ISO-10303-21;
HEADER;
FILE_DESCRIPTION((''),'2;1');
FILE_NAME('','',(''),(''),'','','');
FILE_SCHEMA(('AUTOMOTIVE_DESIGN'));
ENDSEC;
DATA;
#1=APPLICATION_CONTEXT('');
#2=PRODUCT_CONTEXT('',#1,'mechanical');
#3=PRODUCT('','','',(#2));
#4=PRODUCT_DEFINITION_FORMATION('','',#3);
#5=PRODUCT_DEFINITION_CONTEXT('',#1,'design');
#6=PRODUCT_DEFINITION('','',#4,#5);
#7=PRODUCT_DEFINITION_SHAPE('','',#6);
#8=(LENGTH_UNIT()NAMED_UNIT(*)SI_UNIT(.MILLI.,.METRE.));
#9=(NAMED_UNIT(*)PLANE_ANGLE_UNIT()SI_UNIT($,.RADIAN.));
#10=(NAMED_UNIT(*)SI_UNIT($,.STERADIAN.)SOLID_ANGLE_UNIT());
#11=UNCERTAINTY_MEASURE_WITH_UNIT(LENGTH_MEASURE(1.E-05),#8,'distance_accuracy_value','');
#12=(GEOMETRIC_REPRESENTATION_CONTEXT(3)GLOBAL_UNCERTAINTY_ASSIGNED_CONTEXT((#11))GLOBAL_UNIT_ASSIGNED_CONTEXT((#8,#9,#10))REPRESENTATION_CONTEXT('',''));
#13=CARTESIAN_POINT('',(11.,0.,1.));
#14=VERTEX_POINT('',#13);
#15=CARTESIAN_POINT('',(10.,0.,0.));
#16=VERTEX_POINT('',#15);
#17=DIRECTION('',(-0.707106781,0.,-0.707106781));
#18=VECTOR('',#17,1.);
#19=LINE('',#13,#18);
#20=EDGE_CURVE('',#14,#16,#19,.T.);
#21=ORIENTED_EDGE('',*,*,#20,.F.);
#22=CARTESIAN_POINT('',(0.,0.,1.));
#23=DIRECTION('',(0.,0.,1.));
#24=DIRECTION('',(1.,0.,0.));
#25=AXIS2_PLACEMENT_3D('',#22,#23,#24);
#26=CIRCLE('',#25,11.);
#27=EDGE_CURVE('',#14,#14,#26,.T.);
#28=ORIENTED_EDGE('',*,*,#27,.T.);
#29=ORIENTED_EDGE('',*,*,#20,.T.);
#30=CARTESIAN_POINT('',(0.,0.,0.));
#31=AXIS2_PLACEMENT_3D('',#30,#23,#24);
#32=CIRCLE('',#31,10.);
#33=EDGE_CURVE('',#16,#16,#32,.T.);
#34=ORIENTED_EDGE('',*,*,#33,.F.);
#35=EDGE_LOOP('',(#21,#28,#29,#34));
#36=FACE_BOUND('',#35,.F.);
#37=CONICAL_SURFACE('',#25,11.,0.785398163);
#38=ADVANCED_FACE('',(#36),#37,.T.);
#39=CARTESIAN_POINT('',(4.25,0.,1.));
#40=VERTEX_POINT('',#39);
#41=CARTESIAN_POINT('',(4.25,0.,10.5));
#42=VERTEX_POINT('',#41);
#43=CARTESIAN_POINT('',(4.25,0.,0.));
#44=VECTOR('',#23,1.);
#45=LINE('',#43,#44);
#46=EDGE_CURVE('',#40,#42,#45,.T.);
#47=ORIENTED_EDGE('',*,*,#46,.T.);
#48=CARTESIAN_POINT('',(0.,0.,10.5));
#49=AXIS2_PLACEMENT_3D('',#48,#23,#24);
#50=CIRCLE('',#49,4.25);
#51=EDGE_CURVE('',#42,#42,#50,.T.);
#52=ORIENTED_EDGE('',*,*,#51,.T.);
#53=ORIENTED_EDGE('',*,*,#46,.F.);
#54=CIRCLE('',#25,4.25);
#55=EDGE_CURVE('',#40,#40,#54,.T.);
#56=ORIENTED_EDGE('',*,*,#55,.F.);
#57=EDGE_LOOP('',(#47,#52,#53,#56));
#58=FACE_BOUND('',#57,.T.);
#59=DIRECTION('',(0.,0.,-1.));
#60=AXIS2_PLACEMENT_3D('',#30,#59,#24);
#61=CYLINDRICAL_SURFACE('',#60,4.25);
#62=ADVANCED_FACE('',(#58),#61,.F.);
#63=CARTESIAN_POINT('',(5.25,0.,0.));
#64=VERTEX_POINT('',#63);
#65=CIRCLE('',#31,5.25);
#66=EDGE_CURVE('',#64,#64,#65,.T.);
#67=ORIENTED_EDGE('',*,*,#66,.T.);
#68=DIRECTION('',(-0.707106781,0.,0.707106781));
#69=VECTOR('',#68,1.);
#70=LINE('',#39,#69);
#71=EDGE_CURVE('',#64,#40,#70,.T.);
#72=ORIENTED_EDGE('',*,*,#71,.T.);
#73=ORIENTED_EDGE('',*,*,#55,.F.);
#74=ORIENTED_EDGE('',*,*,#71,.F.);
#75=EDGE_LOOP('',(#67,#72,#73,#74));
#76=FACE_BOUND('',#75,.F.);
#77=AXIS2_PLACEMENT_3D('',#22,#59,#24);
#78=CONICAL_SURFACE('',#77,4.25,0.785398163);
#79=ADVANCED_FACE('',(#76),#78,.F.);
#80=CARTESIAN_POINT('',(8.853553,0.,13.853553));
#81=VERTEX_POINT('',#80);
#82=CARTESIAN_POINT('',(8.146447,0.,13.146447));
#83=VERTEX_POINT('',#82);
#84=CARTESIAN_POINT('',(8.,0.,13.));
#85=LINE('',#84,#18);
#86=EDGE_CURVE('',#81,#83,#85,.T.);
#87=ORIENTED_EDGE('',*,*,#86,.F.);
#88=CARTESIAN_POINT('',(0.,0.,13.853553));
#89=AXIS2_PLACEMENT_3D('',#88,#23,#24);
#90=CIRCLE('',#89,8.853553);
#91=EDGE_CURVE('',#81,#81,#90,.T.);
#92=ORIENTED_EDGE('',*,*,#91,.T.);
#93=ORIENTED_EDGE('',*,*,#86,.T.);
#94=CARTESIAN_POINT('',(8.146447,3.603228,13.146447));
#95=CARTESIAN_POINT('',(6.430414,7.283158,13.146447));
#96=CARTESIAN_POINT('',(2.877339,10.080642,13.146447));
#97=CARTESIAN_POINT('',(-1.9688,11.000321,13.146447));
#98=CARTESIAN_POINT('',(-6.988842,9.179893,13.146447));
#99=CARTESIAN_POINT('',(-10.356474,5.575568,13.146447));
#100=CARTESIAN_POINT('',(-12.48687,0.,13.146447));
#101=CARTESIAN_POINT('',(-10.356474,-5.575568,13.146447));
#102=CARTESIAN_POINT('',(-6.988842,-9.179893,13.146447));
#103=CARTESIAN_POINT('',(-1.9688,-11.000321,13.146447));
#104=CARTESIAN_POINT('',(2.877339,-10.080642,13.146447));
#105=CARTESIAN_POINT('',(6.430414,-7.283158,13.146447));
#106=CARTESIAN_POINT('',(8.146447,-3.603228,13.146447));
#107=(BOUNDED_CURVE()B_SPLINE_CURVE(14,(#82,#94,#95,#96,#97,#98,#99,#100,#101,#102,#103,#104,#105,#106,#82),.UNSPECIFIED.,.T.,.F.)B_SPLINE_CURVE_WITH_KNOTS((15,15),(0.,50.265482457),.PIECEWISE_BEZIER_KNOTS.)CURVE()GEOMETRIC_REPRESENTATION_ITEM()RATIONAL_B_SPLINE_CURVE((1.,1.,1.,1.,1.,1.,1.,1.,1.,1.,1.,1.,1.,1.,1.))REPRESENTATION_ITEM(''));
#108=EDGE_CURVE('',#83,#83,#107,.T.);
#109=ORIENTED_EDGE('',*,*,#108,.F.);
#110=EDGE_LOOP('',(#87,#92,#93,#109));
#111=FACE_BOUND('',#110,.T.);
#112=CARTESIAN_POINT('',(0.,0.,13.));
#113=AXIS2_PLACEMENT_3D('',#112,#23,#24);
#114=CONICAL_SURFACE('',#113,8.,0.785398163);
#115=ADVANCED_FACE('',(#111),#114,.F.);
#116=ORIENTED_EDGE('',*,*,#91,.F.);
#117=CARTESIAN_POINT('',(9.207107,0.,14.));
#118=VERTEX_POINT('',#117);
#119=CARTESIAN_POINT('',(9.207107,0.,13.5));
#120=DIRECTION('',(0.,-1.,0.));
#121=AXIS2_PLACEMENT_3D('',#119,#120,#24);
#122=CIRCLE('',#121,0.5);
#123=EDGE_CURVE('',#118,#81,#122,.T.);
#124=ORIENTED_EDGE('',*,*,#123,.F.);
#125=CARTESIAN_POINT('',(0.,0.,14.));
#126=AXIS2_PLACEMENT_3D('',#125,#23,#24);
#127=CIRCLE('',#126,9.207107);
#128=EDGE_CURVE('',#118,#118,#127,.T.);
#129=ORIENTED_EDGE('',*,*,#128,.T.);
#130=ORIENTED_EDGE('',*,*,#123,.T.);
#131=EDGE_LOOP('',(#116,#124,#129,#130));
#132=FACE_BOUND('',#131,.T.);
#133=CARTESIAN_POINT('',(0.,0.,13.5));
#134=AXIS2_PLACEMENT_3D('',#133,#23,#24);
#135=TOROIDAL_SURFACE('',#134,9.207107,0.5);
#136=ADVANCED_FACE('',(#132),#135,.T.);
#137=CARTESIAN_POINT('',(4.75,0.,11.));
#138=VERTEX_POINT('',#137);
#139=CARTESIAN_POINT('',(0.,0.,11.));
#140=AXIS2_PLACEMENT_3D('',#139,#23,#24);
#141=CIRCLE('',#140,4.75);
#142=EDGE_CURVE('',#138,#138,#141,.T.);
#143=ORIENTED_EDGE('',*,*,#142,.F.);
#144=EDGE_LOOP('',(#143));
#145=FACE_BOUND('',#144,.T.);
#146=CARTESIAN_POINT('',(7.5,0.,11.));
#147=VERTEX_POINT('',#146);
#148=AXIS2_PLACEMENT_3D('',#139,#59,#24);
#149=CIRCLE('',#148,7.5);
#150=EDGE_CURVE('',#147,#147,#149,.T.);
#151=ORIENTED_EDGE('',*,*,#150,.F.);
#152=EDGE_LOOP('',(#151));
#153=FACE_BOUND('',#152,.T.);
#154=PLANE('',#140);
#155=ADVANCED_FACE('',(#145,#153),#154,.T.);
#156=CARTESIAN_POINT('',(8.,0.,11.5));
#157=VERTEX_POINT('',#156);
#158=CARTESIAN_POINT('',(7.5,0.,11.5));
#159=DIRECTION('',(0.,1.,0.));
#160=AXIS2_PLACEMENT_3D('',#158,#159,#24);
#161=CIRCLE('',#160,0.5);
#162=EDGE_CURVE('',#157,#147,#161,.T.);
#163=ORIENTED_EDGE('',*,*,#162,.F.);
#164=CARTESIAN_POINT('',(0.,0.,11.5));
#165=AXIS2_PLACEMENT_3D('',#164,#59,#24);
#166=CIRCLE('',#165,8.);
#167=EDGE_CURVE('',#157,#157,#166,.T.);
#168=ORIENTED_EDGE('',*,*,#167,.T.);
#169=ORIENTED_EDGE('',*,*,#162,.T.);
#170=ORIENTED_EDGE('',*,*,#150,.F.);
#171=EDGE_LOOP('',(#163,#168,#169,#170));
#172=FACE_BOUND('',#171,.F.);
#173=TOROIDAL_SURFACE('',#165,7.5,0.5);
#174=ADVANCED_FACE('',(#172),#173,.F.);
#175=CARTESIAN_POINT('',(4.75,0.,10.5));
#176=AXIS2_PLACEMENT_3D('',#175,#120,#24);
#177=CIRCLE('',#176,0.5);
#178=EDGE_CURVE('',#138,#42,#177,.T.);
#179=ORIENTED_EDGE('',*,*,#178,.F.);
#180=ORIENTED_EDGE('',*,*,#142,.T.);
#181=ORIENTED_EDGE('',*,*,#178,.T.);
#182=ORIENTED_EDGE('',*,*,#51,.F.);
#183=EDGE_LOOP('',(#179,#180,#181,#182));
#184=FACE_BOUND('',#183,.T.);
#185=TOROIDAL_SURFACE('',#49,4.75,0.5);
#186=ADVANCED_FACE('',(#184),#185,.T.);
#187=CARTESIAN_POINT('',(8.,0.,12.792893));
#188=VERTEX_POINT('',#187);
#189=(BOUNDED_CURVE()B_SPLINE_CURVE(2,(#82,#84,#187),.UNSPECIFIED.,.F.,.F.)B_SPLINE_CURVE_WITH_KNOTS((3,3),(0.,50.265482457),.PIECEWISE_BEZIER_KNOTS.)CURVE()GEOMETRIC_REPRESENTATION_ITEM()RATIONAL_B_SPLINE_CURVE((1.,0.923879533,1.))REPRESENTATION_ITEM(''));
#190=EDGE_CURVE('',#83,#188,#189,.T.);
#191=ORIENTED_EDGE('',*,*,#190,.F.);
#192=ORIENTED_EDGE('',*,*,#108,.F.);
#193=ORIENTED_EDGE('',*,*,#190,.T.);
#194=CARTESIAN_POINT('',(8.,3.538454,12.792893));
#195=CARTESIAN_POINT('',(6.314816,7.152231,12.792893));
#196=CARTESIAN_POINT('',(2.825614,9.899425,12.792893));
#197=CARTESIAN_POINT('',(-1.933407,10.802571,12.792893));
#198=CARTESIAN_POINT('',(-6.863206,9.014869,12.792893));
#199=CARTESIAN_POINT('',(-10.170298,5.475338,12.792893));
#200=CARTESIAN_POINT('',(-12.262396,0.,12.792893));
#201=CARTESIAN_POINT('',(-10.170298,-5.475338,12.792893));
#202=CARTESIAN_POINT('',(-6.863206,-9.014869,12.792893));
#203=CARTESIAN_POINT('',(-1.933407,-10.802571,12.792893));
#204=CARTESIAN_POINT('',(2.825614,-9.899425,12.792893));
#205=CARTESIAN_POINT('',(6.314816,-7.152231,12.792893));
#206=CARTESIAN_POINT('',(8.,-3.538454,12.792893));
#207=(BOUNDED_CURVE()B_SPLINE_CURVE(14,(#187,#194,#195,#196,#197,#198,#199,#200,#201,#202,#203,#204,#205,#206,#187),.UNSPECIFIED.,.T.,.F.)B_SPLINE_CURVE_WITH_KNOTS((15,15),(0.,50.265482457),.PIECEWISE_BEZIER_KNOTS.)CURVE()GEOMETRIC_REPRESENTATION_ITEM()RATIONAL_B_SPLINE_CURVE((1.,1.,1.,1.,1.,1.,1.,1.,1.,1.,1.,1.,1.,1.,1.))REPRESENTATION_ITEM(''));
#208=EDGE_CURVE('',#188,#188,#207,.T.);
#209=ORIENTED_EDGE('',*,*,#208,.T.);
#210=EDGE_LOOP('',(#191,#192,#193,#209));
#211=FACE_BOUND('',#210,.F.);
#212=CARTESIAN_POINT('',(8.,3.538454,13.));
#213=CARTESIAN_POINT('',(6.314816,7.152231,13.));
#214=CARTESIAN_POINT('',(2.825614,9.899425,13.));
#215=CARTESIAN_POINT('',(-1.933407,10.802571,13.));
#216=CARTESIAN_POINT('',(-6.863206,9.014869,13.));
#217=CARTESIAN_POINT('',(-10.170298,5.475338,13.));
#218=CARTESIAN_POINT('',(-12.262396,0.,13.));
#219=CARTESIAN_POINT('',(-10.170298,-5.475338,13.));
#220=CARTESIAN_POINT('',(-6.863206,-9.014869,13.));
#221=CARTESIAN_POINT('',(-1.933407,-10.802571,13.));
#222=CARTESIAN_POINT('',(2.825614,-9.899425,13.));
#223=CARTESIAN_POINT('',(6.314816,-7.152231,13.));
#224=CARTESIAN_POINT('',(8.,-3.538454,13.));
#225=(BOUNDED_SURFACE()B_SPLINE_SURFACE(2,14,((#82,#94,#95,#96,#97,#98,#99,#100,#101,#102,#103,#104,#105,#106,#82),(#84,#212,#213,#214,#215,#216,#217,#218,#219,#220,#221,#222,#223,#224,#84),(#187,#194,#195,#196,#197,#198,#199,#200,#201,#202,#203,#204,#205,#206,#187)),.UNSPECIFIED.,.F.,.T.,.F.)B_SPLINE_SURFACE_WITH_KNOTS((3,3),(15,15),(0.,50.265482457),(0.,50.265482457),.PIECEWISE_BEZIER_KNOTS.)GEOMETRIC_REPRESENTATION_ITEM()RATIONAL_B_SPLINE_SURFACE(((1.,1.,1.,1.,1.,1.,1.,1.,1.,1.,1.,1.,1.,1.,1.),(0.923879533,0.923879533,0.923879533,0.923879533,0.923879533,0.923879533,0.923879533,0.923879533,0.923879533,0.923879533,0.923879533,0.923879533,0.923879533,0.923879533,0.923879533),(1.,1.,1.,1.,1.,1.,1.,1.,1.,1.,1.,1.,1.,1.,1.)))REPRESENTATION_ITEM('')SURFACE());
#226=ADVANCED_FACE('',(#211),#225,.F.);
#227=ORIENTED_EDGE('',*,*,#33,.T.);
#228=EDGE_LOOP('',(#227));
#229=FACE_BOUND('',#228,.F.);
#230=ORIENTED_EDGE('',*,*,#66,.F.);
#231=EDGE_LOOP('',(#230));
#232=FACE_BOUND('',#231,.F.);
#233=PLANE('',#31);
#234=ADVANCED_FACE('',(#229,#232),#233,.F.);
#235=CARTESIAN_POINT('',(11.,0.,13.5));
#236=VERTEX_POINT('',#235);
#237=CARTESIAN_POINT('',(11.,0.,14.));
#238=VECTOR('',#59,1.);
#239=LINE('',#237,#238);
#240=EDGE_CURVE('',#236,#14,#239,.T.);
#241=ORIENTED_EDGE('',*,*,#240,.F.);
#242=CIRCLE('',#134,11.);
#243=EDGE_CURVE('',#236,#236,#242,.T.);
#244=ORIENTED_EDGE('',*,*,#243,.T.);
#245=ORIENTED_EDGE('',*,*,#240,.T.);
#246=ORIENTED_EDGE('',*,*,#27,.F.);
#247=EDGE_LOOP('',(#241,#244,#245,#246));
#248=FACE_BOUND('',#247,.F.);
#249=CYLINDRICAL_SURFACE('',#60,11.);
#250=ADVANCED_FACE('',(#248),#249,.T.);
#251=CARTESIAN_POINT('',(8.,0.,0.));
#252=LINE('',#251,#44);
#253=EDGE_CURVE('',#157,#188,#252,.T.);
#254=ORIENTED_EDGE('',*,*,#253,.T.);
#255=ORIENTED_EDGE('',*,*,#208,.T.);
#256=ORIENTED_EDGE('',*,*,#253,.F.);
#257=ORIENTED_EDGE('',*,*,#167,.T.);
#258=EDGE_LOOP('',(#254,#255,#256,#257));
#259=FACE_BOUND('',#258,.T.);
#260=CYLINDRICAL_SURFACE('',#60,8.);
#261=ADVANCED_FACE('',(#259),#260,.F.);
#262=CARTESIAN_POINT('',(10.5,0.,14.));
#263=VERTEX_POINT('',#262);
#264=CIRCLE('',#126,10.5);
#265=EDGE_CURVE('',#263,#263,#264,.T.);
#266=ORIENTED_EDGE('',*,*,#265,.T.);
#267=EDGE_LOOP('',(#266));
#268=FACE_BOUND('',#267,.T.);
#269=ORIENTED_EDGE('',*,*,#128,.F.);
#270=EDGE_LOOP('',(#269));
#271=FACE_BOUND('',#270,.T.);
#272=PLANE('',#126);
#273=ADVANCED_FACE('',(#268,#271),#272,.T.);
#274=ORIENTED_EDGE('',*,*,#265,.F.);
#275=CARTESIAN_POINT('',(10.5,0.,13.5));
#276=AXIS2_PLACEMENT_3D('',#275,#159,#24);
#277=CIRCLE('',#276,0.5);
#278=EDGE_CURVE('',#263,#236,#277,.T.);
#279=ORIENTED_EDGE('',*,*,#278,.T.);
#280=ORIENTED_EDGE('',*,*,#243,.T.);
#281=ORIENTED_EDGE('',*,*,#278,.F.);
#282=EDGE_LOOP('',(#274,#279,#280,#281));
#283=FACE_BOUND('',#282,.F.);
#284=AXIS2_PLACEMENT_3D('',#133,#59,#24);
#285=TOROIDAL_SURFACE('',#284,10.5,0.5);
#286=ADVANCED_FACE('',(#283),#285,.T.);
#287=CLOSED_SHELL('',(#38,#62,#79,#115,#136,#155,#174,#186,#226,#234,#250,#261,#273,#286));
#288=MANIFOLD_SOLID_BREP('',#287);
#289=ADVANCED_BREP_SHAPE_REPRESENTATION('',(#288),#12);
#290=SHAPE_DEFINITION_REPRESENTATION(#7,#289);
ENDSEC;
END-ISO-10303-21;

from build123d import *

# Parameters (mm, degrees)
F0_R     = 11
F0_R_2   = 8
F0_R_3   = 4.25
F1_DEPTH = 11
F2_DEPTH = 14
F3_SIZE  = 1
F4_R     = 0.5
F5_SIZE  = 1


with BuildPart() as f1:
    # F0 (on Top) → F1 (new body)
    with BuildSketch(Plane.XY):
        Circle(F0_R)
        Circle(F0_R_2, mode=Mode.SUBTRACT)
        Circle(F0_R_2)
        Circle(F0_R_3, mode=Mode.SUBTRACT)
    extrude(amount=F1_DEPTH)

    # F0 (on Top) → F2 (join)
    with BuildSketch(Plane.XY):
        Circle(F0_R)
        Circle(F0_R_2, mode=Mode.SUBTRACT)
    extrude(amount=F2_DEPTH)

    # F3
    f3_edges = [f1.edges().sort_by_distance(p)[0] for p in [
        (-8, 0, 14),
    ]]
    chamfer(f3_edges, length=F3_SIZE)

    # F4
    f4_edges = [f1.edges().sort_by_distance(p)[0] for p in [
        (-9, 0, 14),
        (-8, 0, 13),
        (-11, 0, 14),
        (-8, 0, 11),
        (-4.25, 0, 11),
    ]]
    fillet(f4_edges, radius=F4_R)

    # F5
    f5_edges = [f1.edges().sort_by_distance(p)[0] for p in [
        (-11, 0, 0),
        (-4.25, 0, 0),
    ]]
    chamfer(f5_edges, length=F5_SIZE)


solid = f1.part
